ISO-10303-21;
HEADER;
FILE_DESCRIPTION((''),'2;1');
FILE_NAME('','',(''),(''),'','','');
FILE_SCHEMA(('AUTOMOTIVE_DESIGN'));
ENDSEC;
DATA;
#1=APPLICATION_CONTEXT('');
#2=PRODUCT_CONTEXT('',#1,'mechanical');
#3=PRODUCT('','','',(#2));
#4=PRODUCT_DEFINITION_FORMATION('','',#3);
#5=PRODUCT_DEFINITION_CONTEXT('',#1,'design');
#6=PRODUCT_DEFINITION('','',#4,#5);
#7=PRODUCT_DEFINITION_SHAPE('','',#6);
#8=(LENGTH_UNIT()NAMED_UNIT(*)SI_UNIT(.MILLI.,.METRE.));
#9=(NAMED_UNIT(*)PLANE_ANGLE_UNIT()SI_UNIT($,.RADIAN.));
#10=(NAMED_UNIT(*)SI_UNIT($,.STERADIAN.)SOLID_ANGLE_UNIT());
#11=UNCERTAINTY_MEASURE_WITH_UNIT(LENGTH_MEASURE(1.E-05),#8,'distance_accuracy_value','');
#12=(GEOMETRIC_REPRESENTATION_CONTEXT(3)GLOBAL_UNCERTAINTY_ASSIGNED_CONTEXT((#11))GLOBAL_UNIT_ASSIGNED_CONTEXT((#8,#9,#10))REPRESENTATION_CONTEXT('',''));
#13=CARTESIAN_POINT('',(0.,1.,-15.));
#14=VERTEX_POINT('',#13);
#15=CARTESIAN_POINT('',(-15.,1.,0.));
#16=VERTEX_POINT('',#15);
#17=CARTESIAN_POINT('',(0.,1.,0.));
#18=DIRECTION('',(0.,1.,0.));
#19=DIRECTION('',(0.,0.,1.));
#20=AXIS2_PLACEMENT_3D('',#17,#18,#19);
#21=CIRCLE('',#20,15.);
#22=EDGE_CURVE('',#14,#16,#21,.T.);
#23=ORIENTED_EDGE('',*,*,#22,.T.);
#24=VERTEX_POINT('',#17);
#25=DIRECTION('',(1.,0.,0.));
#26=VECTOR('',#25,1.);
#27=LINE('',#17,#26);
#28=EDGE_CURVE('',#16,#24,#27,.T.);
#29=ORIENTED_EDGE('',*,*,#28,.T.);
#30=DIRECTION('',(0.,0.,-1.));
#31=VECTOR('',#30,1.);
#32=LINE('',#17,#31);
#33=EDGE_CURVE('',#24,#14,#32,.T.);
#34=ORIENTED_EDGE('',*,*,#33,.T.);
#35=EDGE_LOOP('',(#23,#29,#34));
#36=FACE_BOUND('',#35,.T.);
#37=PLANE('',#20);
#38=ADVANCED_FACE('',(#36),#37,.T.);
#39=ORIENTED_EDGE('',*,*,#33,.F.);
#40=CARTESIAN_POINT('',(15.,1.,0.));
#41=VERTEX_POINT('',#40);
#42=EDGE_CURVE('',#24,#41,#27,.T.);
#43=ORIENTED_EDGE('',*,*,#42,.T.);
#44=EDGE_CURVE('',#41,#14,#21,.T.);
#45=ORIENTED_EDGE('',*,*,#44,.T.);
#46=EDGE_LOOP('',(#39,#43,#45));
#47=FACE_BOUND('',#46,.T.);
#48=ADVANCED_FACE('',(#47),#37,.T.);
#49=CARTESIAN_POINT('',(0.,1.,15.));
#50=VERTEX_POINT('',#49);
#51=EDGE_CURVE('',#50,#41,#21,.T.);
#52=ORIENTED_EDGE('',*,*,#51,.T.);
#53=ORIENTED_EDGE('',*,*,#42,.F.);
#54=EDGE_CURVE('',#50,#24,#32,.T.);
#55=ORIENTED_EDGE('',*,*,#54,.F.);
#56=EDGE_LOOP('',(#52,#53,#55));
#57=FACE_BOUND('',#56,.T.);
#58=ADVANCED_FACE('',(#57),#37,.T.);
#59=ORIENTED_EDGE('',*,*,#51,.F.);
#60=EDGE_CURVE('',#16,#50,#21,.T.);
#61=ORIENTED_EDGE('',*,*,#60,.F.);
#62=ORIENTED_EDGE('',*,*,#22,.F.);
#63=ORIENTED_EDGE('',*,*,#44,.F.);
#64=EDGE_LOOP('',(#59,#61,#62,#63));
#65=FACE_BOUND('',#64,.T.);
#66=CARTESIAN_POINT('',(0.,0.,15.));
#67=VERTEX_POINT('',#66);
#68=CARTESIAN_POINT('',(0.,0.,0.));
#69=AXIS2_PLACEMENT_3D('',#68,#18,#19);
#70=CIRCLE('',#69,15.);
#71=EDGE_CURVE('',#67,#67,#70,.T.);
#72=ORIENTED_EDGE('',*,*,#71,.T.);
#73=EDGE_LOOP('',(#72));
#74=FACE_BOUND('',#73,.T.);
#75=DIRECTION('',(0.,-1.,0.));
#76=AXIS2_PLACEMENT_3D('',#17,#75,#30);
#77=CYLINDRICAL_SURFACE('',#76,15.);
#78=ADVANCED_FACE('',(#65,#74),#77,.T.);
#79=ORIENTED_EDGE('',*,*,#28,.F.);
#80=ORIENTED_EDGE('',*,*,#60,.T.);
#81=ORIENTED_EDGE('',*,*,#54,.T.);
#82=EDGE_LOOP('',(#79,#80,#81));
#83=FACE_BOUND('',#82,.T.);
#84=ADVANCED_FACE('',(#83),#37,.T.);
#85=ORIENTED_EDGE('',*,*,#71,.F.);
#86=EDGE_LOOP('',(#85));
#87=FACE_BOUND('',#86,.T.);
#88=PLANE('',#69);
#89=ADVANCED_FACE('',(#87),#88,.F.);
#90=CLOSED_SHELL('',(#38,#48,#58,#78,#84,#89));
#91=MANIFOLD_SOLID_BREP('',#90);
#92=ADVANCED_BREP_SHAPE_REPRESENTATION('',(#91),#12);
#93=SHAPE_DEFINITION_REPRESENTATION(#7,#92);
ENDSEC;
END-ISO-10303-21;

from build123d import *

# Parameters (mm, degrees)
SKETCH1_R           = 15
BOSS_EXTRUDE1_DEPTH = 1


with BuildPart() as part:
    # Sketch1 → Boss-Extrude1 (new body)
    with BuildSketch(Plane(origin=(0, 0, 0), x_dir=(1, 0, 0), z_dir=(0, 1, 0))):
        Circle(SKETCH1_R)
    extrude(amount=BOSS_EXTRUDE1_DEPTH)


solid = part.part
